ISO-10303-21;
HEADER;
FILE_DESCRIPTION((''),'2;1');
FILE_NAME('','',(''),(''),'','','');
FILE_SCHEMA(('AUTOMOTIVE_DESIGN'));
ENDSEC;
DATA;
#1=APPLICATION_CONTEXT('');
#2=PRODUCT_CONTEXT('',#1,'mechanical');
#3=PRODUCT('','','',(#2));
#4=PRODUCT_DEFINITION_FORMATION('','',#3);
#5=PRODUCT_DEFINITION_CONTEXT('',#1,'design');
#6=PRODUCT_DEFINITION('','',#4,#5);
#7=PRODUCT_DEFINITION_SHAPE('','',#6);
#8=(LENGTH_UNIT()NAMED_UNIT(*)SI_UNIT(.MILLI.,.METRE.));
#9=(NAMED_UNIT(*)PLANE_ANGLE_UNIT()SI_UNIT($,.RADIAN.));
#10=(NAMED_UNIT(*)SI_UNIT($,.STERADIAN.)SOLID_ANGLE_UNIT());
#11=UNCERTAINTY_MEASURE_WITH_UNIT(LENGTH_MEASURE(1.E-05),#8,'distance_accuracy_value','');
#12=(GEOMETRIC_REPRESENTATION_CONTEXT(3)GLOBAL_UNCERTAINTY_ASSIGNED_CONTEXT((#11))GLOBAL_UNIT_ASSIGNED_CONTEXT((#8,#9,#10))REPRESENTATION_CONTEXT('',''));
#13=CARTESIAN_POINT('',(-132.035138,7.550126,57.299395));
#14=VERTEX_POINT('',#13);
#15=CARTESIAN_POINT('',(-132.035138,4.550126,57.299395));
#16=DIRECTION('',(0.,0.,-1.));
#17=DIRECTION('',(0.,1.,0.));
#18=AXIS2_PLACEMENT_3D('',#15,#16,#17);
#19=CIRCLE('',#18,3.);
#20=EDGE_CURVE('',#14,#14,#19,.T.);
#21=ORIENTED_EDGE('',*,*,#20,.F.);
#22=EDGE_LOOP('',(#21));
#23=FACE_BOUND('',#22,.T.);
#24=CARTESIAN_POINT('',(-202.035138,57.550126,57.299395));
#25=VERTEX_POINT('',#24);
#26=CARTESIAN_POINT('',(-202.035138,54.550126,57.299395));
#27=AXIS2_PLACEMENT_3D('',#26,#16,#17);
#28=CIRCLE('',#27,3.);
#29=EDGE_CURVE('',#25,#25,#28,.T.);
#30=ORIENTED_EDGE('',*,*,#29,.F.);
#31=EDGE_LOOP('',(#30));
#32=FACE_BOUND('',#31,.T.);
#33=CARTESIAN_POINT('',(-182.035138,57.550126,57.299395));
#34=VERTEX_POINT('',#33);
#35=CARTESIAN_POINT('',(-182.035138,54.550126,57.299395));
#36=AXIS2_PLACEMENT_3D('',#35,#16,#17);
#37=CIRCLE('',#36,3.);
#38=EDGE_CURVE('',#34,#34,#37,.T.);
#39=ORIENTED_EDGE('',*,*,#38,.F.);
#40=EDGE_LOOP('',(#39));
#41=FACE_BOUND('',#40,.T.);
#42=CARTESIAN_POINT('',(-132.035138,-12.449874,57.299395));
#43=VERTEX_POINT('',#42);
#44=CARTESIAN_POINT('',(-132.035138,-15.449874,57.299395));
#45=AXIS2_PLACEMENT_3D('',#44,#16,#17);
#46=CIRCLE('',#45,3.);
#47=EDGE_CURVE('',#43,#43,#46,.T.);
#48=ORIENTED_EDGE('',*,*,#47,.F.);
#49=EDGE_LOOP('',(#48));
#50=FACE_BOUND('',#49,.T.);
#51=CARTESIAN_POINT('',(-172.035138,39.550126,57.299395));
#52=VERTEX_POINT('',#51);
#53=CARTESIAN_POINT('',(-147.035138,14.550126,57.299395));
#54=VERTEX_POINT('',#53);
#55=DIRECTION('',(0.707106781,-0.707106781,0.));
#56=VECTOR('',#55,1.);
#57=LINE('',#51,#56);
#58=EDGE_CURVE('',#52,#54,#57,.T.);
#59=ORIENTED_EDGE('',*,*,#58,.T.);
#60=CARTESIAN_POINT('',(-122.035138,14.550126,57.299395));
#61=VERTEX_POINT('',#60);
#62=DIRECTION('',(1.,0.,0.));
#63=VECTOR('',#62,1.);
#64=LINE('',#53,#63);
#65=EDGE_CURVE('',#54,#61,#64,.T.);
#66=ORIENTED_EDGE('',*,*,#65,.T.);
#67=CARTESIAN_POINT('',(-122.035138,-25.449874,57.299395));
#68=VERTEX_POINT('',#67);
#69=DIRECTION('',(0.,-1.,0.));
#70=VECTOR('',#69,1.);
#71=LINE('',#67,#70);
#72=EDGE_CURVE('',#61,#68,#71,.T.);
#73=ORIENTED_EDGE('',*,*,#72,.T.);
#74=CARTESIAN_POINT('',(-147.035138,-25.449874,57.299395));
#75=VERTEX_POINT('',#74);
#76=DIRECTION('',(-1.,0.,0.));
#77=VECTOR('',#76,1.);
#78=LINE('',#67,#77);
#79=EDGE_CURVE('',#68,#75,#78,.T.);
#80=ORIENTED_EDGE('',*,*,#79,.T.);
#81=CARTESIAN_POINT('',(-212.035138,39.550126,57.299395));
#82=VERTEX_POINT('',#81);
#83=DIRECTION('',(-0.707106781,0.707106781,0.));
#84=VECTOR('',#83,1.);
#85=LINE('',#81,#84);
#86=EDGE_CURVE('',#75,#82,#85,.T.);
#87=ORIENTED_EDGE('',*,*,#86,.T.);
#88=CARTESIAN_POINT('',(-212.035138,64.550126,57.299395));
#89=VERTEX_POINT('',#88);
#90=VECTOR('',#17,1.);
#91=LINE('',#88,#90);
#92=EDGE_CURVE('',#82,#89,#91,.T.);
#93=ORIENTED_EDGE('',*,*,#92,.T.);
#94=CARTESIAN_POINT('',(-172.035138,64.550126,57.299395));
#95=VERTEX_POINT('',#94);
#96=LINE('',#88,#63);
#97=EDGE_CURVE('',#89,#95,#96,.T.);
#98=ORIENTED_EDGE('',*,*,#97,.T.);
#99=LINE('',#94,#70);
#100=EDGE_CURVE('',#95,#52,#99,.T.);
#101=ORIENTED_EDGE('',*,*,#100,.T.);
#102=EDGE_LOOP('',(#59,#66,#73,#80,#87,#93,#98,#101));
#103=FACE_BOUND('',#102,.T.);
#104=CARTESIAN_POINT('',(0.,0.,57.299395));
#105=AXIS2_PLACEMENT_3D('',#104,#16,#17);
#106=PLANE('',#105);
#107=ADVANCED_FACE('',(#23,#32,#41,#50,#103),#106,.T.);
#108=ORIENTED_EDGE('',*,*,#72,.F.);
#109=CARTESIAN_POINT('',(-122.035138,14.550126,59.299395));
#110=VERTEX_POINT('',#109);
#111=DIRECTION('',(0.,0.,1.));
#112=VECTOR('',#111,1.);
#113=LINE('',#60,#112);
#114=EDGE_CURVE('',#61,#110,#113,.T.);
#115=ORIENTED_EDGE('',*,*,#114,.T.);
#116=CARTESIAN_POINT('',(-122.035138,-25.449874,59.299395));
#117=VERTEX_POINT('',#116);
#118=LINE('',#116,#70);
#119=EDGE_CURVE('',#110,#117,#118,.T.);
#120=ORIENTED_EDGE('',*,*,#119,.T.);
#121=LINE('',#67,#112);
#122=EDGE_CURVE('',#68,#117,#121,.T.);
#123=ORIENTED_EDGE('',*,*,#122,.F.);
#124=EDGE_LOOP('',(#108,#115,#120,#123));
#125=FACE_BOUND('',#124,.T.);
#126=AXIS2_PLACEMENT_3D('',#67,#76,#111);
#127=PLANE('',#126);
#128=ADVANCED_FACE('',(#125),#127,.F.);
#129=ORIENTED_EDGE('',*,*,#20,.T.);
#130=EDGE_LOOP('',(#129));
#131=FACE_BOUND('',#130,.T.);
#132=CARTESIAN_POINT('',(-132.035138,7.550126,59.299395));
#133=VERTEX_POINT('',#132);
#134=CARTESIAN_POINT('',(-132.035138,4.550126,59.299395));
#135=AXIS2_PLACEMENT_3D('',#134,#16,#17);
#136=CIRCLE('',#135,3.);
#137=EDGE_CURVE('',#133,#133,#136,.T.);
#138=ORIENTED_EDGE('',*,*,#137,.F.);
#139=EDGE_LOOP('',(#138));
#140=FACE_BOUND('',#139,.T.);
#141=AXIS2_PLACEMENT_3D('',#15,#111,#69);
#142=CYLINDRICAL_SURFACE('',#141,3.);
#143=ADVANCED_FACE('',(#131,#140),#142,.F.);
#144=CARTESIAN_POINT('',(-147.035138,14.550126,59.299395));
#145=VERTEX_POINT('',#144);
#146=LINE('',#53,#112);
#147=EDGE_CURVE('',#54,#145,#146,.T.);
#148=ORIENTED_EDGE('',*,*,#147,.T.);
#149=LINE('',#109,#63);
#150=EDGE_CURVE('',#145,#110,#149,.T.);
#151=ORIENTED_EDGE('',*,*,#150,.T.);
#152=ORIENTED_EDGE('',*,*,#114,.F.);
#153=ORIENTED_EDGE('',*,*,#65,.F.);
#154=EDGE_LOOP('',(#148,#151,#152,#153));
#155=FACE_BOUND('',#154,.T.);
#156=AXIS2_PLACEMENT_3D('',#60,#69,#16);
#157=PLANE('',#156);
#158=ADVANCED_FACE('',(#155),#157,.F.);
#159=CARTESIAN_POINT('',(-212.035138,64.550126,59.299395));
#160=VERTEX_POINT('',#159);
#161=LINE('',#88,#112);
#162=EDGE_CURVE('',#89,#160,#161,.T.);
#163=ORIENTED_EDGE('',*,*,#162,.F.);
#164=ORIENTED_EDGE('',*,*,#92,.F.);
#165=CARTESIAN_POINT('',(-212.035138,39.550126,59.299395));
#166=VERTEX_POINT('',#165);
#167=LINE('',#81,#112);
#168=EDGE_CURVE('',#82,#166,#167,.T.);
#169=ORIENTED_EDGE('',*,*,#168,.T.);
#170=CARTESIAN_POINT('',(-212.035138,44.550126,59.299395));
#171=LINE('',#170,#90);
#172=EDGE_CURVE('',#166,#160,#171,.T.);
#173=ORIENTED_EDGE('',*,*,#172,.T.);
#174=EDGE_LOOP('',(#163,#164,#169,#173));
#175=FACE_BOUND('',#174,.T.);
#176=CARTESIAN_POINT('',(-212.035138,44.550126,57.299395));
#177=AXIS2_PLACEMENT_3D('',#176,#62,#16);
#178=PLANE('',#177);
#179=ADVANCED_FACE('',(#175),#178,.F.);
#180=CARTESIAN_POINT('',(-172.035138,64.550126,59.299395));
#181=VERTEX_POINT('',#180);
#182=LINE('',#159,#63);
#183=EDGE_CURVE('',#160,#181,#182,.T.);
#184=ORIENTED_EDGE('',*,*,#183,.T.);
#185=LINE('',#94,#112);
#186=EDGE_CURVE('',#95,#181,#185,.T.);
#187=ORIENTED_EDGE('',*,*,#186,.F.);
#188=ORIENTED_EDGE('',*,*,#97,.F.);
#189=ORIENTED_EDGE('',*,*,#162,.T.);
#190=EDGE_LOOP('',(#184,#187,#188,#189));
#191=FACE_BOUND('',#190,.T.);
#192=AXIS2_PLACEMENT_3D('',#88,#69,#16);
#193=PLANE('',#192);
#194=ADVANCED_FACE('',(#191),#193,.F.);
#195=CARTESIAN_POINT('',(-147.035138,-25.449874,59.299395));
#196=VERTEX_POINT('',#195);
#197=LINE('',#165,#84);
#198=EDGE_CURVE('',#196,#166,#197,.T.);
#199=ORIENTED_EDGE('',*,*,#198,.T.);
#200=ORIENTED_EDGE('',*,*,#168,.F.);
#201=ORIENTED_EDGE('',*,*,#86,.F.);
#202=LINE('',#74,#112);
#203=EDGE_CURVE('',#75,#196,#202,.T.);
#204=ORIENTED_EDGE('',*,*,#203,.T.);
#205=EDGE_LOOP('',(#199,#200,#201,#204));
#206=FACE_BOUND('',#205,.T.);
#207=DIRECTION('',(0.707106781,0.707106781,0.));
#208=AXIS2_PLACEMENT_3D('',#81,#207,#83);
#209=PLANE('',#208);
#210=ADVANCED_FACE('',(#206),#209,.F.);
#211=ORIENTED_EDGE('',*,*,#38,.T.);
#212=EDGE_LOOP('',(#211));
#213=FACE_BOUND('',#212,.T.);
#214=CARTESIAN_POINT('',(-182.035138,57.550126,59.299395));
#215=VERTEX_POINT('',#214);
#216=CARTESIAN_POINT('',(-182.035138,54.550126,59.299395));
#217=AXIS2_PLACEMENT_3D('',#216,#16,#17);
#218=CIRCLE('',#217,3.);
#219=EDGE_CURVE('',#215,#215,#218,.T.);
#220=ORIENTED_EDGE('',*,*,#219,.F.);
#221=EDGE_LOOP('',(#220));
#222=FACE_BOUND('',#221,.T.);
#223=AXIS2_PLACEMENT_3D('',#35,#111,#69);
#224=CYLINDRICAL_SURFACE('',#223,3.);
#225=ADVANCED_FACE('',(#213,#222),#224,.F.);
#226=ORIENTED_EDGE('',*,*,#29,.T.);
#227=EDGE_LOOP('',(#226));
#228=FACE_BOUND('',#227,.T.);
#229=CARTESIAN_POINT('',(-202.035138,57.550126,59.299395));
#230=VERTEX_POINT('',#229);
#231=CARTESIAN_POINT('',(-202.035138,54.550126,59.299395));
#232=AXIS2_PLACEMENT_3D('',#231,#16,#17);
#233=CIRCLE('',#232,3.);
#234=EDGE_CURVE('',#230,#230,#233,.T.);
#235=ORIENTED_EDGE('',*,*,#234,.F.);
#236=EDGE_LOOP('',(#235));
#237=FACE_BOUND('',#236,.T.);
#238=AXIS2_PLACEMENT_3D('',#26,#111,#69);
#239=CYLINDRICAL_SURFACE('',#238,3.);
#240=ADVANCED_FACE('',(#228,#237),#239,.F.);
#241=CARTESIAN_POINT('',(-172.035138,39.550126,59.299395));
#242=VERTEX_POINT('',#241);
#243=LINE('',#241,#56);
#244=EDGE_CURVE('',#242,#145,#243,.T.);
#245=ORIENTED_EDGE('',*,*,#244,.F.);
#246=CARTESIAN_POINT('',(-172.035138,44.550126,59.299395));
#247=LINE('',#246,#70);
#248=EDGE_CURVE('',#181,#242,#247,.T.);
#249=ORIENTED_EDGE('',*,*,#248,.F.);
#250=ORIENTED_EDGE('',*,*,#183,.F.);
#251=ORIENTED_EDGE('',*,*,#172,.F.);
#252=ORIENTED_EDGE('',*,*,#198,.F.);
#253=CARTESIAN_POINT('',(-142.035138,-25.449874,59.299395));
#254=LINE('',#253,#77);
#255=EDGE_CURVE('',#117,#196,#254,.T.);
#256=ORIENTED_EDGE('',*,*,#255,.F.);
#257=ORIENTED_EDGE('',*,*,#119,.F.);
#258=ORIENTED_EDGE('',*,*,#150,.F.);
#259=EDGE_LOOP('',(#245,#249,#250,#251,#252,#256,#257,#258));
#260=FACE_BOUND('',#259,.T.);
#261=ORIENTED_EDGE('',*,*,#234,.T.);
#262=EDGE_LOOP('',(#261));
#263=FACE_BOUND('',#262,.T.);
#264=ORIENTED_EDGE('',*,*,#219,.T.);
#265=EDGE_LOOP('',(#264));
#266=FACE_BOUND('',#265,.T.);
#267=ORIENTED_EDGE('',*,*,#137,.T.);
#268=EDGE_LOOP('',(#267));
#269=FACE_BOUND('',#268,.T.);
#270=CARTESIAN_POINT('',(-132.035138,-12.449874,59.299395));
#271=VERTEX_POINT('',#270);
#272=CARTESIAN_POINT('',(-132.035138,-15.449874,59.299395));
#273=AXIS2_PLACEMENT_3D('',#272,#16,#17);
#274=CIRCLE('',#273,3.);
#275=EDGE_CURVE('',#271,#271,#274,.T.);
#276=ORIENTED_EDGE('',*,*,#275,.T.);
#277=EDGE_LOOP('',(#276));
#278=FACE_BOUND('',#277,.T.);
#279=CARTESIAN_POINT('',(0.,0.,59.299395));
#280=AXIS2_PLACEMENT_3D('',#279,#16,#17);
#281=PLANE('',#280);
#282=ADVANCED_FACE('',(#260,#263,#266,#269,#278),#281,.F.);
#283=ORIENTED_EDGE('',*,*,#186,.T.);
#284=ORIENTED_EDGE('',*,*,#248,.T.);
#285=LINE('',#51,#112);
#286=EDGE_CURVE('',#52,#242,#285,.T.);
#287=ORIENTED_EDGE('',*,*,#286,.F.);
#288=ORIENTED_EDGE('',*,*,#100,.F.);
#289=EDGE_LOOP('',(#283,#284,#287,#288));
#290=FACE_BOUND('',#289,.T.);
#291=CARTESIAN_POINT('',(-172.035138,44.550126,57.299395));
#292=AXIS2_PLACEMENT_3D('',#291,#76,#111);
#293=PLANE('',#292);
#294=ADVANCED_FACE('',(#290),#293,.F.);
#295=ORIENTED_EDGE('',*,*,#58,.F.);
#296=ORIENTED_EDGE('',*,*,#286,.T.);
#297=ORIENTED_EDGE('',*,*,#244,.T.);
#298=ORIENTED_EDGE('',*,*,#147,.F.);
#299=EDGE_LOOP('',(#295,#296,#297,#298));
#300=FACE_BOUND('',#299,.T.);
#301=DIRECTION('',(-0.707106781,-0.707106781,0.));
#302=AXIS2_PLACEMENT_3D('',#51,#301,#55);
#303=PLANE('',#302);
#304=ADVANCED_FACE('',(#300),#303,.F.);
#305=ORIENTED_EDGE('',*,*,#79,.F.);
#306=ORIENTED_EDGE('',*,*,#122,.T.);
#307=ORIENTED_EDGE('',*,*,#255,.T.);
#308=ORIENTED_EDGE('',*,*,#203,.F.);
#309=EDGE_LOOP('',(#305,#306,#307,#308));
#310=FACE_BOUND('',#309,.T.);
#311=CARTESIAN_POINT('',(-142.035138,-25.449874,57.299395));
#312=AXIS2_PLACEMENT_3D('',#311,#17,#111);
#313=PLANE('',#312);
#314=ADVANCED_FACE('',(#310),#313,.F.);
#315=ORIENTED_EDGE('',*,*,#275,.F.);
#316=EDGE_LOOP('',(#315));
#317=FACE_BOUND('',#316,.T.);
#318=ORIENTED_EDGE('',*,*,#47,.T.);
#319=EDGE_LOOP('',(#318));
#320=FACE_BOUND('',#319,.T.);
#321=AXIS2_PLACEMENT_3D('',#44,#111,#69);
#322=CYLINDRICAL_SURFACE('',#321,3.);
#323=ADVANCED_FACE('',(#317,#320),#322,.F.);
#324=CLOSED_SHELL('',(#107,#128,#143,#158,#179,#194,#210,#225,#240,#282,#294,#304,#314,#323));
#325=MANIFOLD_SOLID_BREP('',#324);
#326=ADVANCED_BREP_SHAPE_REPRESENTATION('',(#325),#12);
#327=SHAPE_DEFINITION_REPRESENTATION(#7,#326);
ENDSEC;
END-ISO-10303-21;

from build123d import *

# Parameters (mm, degrees)
SKETCH1_R           = 3
BOSS_EXTRUDE1_DEPTH = 2


with BuildPart() as part:
    # Sketch1 → Boss-Extrude1 (new body)
    with BuildSketch(Plane(origin=(0, 0, 59.299394977), x_dir=(-1, 0, 0), z_dir=(0, 0, -1))):
        Polygon((212.035137501, 44.5501261), (212.035137501, 39.5501261), (147.035137501, -25.4498739), (142.035137501, -25.4498739), (122.035137501, -25.4498739), (122.035137501, 14.5501261), (142.035137501, 14.5501261), (147.035137501, 14.5501261), (172.035137501, 39.5501261), (172.035137501, 44.5501261), (172.035137501, 64.5501261), (212.035137501, 64.5501261), align=None)
        with Locations((202.035137501, 54.5501261)):
            Circle(SKETCH1_R, mode=Mode.SUBTRACT)
        with Locations((182.035137501, 54.5501261)):
            Circle(SKETCH1_R, mode=Mode.SUBTRACT)
        with Locations((132.035137501, -15.4498739)):
            Circle(SKETCH1_R, mode=Mode.SUBTRACT)
        with Locations((132.035137501, 4.5501261)):
            Circle(SKETCH1_R, mode=Mode.SUBTRACT)
    extrude(amount=BOSS_EXTRUDE1_DEPTH)


solid = part.part
